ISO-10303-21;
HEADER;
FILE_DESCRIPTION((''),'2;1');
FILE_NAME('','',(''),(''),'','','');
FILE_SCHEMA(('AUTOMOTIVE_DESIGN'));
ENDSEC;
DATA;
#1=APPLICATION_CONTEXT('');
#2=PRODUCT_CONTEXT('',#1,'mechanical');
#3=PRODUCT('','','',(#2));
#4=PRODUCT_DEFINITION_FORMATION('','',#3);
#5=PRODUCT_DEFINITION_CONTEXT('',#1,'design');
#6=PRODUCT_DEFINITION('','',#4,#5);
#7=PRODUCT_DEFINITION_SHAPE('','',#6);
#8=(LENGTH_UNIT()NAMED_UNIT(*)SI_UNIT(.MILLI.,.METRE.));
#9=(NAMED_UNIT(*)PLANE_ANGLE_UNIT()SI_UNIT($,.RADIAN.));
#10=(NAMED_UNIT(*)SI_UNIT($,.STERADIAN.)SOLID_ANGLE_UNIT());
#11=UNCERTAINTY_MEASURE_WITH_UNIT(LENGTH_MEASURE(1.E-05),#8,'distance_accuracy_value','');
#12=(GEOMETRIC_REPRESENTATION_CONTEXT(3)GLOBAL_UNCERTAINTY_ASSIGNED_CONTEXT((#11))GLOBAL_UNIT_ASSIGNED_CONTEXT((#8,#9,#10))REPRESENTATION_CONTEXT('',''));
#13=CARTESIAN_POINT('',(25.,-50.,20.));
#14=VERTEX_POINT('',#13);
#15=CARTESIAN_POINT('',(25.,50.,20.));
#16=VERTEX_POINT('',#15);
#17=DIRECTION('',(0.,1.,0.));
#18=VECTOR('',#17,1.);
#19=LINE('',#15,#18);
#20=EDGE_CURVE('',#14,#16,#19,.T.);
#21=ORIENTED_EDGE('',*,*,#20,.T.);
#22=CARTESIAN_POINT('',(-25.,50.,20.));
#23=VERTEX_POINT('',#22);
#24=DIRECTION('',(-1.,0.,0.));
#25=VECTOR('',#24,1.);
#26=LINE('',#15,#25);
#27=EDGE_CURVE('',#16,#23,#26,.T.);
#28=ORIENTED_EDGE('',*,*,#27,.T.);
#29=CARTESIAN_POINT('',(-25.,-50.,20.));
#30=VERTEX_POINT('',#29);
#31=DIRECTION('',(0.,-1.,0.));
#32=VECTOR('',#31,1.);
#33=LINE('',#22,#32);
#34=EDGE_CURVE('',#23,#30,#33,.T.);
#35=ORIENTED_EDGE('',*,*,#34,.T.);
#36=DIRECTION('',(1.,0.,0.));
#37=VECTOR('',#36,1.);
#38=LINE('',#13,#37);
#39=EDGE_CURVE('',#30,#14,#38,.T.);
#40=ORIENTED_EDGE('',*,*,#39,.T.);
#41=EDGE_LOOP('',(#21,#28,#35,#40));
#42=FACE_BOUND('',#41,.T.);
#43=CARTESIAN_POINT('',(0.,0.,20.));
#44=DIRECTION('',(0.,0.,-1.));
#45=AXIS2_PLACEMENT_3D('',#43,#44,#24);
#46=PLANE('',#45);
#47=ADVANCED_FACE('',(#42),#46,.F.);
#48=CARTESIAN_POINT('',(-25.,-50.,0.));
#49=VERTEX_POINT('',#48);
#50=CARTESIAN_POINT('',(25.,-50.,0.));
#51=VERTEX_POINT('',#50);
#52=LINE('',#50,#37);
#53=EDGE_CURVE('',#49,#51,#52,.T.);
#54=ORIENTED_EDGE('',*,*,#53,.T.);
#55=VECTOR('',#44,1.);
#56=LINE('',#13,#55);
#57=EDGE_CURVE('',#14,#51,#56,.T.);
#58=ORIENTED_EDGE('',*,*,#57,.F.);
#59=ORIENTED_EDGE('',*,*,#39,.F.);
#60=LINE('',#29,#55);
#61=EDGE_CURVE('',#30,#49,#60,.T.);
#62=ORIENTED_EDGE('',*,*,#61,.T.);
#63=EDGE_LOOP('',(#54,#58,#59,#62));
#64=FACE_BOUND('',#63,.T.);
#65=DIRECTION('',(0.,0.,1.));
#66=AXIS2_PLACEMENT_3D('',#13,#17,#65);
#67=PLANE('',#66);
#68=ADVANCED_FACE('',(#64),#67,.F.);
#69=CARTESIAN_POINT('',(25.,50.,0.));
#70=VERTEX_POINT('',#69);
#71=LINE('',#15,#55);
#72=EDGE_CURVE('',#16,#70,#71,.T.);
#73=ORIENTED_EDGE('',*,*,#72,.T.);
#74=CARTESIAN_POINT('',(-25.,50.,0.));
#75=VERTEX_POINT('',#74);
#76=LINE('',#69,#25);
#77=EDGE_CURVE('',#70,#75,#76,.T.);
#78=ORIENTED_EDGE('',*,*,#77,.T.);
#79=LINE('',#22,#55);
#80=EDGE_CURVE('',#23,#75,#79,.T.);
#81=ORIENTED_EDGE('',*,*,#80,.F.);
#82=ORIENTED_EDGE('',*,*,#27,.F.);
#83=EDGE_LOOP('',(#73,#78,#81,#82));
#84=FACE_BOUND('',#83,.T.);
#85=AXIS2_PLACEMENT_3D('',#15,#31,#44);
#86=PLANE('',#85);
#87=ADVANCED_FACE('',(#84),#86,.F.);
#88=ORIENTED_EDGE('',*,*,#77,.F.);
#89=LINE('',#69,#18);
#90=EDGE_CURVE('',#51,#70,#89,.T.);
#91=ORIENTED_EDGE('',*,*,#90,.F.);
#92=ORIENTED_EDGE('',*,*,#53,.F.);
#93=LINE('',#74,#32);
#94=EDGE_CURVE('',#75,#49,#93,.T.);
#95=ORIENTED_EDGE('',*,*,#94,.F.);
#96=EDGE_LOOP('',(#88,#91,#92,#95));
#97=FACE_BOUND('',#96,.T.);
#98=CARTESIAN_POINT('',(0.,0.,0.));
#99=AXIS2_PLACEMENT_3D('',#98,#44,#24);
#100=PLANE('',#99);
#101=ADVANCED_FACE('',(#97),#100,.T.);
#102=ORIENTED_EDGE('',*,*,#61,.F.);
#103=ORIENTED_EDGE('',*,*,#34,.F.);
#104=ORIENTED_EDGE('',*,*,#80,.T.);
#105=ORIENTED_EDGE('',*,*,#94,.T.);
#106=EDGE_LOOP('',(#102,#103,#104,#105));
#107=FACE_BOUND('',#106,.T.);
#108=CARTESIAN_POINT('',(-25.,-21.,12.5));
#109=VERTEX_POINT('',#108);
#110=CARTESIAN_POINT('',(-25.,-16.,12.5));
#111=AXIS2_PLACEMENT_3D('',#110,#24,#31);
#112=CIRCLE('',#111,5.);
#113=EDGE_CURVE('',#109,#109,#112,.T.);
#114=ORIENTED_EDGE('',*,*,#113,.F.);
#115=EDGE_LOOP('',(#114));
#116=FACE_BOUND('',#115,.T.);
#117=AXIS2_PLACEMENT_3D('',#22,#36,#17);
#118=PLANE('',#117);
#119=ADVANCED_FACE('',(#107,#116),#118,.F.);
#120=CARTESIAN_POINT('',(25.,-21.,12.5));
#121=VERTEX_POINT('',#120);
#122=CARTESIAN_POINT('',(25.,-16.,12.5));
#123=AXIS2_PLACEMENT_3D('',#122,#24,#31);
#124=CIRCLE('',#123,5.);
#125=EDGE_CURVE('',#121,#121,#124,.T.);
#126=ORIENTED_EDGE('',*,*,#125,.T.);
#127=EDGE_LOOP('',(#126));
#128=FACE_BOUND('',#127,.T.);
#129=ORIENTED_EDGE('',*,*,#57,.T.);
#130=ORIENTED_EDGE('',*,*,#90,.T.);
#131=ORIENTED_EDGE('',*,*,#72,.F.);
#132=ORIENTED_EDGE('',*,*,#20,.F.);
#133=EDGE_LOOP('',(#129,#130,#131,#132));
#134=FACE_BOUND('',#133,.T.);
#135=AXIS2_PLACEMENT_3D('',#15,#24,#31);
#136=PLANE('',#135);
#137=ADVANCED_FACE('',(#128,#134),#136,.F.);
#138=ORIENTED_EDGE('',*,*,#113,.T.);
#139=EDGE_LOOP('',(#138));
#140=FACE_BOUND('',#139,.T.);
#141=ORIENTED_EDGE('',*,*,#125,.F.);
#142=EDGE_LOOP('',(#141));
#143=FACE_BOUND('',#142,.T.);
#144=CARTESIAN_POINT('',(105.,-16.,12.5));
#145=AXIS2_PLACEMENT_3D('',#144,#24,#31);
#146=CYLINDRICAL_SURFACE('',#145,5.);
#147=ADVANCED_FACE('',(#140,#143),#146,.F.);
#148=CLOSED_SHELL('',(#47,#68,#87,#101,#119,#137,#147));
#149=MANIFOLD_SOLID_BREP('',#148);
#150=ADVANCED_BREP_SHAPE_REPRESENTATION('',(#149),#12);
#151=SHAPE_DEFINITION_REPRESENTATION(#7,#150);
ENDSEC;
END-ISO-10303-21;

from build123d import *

# Parameters (mm, degrees)
SKETCH1_W           = 50
SKETCH1_H           = 100
BOSS_EXTRUDE1_DEPTH = 20
SKETCH3_R           = 5
CUT_EXTRUDE2_DEPTH  = 130


with BuildPart() as part:
    # Sketch1 → Boss-Extrude1 (new body)
    with BuildSketch(Plane.XY):
        Rectangle(SKETCH1_W, SKETCH1_H)
    extrude(amount=BOSS_EXTRUDE1_DEPTH)

    # Sketch3 → Cut-Extrude2 (cut)
    with BuildSketch(Plane.ZY.offset(25)):
        with Locations((12.5, -16)):
            Circle(SKETCH3_R)
    extrude(amount=-CUT_EXTRUDE2_DEPTH, mode=Mode.SUBTRACT)


solid = part.part
